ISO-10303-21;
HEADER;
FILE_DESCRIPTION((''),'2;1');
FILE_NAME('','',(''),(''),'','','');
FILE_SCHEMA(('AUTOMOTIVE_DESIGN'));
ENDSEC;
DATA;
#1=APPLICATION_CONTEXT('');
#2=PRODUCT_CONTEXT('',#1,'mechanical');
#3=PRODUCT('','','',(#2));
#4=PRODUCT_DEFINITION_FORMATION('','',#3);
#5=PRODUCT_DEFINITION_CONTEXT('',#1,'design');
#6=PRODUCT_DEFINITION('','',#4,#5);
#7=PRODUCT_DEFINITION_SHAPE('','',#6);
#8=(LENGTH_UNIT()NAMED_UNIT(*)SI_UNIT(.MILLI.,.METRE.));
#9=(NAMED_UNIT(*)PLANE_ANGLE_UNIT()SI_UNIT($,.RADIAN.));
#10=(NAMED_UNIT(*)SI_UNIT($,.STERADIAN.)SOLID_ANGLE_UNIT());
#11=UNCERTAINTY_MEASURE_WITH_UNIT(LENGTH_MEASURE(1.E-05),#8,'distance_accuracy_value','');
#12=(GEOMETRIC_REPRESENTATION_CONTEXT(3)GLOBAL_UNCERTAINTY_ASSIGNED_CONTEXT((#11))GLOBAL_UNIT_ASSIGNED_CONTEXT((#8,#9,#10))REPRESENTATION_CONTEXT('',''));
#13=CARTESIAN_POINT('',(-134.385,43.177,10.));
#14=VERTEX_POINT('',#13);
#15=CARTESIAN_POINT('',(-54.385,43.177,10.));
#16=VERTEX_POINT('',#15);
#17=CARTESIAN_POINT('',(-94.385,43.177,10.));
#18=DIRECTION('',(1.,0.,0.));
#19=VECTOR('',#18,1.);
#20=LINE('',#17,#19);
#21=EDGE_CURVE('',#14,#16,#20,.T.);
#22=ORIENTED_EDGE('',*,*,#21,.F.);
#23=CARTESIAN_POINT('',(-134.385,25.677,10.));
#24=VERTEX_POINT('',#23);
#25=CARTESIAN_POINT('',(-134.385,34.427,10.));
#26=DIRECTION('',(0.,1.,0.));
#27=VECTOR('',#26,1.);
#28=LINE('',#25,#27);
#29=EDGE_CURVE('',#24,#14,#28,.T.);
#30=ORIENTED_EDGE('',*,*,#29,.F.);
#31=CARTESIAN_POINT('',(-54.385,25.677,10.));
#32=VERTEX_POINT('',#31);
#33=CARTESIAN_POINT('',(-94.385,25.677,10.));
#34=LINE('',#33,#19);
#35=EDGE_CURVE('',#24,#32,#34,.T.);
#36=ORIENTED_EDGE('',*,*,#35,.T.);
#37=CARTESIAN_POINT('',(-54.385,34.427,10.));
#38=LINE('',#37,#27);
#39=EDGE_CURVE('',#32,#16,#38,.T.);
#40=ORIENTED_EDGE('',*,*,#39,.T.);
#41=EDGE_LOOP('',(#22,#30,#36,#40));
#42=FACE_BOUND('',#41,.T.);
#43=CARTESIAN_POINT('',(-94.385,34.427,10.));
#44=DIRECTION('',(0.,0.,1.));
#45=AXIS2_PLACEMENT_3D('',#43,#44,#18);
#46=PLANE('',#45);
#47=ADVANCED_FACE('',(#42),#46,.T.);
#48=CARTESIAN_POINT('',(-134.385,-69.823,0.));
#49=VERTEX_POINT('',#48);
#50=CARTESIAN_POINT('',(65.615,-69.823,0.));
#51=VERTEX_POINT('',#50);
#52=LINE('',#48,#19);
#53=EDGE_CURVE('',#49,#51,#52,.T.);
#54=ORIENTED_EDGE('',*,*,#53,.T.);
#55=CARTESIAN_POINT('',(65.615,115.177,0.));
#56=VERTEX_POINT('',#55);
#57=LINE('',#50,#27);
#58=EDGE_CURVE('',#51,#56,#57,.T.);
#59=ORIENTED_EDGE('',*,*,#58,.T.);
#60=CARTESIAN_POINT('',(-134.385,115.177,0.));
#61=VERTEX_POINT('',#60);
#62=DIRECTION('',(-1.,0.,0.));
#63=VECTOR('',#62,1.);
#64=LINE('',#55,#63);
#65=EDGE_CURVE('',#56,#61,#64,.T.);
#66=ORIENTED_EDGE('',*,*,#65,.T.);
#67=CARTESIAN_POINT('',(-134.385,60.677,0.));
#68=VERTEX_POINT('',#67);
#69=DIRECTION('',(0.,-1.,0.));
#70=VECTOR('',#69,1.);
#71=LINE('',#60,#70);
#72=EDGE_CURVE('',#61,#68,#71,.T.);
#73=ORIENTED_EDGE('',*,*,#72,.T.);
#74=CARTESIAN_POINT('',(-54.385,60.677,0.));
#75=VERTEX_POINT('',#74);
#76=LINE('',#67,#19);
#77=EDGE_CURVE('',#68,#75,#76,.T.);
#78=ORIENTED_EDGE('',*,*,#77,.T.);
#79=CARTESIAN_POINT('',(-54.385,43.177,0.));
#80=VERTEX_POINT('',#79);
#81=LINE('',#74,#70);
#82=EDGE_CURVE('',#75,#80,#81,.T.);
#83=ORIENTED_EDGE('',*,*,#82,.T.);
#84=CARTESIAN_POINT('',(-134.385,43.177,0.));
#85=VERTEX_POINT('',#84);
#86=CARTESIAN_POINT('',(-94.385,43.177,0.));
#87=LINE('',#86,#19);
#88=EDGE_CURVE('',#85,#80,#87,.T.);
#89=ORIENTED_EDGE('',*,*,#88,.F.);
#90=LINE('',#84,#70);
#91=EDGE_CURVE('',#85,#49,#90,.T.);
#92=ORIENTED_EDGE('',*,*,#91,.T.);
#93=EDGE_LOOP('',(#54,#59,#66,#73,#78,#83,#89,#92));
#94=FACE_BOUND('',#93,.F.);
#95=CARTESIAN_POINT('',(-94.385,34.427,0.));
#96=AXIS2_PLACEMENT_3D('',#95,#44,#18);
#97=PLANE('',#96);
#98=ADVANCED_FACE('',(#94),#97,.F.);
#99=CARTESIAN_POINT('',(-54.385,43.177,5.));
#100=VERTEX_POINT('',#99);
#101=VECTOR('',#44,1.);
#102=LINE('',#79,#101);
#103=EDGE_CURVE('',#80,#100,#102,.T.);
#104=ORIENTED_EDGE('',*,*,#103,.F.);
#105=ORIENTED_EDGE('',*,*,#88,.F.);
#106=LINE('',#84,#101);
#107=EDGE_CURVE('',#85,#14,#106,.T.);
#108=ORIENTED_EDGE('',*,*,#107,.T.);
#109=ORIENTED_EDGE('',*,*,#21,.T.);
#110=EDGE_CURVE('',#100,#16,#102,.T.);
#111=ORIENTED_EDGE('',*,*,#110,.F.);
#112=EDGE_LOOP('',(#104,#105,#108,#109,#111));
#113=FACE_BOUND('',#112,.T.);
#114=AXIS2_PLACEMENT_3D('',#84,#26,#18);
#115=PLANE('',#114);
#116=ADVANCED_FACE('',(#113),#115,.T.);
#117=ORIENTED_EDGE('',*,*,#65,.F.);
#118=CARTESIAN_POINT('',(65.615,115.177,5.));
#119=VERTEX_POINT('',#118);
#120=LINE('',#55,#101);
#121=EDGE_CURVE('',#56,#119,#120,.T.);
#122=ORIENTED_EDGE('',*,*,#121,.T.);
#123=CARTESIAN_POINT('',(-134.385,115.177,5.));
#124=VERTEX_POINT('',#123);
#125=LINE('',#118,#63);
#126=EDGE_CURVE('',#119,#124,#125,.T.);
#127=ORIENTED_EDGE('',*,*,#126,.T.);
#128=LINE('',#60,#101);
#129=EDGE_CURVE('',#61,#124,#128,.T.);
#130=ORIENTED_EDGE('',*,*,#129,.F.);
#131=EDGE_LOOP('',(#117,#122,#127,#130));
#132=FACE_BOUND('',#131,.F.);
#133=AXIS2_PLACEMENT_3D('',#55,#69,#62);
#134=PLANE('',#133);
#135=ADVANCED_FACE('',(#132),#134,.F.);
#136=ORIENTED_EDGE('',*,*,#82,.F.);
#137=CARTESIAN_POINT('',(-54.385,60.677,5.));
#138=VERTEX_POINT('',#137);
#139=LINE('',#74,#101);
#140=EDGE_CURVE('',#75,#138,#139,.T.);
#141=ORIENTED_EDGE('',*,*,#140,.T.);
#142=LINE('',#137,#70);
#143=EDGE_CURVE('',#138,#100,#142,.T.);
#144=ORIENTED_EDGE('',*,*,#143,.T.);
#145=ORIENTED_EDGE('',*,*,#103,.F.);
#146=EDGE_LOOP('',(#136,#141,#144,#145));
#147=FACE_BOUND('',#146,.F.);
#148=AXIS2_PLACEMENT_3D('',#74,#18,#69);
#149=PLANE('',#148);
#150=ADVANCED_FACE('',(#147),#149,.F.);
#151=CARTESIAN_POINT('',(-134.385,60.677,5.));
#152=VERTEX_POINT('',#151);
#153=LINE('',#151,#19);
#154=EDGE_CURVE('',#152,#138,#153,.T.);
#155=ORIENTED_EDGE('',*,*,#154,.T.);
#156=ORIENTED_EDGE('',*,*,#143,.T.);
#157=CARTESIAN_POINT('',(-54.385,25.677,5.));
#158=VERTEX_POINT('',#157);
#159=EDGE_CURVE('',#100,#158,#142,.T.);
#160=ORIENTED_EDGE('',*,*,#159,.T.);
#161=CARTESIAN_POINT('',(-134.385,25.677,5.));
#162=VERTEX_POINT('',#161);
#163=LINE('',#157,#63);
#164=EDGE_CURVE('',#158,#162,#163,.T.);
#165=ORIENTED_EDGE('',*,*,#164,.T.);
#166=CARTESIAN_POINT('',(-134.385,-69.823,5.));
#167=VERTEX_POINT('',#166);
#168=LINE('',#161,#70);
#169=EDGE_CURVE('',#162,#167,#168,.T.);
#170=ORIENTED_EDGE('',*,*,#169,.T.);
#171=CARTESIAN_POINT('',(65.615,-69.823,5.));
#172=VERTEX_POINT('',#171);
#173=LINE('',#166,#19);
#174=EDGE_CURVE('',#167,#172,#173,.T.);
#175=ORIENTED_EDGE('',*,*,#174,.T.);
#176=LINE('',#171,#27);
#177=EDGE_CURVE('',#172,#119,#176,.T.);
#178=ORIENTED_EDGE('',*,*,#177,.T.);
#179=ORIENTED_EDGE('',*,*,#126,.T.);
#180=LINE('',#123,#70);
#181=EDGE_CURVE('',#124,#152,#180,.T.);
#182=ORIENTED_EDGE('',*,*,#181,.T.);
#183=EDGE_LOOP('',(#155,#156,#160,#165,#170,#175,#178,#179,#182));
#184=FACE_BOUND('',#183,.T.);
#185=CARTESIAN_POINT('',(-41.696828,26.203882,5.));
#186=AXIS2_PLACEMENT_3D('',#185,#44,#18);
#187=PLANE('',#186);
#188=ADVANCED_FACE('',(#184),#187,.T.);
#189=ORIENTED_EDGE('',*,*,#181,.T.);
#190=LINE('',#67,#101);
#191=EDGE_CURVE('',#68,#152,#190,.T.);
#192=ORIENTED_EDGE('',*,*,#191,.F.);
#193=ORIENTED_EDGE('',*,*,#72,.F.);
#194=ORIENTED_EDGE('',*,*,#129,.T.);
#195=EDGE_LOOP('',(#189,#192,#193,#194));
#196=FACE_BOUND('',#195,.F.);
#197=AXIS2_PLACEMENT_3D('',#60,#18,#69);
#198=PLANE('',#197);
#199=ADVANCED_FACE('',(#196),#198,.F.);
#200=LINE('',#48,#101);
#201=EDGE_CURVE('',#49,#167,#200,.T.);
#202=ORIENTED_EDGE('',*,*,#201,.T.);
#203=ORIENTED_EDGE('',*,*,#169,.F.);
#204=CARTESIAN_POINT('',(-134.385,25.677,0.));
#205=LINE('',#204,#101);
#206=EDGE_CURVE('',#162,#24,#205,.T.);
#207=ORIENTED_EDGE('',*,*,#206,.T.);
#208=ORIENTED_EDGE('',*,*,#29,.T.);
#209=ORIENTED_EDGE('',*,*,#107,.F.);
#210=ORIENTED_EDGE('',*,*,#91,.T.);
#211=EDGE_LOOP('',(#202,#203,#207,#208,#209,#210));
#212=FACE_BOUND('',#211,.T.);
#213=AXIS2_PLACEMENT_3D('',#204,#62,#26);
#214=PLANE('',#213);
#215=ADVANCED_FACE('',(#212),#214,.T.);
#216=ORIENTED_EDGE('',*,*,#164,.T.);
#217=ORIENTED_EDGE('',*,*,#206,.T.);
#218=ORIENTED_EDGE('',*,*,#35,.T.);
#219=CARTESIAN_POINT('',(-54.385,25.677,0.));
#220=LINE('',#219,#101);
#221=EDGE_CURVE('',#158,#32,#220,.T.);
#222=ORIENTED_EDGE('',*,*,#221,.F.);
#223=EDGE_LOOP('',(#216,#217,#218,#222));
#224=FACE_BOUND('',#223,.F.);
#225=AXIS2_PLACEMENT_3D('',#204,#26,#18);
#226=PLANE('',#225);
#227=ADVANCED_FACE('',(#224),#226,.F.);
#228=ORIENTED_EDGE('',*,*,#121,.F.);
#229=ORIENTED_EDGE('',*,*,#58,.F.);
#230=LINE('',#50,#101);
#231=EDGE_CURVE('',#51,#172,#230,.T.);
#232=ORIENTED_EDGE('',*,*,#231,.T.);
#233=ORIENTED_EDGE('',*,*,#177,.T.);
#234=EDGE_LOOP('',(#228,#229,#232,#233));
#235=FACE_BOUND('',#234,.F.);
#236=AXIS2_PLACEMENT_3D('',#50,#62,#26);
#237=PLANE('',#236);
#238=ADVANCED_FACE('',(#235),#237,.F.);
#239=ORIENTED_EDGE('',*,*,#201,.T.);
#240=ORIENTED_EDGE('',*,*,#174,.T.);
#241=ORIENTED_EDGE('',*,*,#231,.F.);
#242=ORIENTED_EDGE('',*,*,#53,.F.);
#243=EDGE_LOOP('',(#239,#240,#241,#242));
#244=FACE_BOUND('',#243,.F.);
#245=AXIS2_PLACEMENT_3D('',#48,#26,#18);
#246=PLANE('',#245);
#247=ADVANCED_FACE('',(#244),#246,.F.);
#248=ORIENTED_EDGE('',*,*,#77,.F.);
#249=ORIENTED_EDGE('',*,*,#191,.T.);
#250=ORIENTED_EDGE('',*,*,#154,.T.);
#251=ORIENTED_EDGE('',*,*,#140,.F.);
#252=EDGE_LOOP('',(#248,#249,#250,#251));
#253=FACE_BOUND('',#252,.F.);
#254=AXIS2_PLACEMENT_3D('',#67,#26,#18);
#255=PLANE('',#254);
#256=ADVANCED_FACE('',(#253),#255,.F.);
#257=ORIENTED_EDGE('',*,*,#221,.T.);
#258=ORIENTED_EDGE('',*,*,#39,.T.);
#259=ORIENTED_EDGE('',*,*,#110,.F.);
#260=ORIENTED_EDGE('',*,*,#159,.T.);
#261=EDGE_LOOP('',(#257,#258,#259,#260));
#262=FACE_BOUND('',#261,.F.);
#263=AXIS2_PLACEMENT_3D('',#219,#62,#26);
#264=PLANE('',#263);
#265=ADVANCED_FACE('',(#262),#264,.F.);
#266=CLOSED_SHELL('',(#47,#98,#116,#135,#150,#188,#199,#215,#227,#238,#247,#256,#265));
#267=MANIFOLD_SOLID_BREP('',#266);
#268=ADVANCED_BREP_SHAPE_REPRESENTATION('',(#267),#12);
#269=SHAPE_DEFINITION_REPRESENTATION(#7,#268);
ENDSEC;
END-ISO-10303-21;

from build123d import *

# Parameters (mm, degrees)
F1_DEPTH = 5
F0_W     = 80
F0_H     = 17.5
F2_DEPTH = 10


with BuildPart() as f1:
    # F0 (on Top) → F1 (new body)
    with BuildSketch(Plane.XY):
        Polygon((-134.385, -69.823), (65.615, -69.823), (65.615, 115.177), (-134.385, 115.177), (-134.385, 60.677), (-54.385, 60.677), (-54.385, 43.177), (-54.385, 25.677), (-134.385, 25.677), align=None)
    extrude(amount=F1_DEPTH)

    # F0 (on Top) → F2 (join)
    with BuildSketch(Plane.XY):
        with Locations((-94.385, 34.427)):
            Rectangle(F0_W, F0_H)
    extrude(amount=F2_DEPTH)


solid = f1.part
